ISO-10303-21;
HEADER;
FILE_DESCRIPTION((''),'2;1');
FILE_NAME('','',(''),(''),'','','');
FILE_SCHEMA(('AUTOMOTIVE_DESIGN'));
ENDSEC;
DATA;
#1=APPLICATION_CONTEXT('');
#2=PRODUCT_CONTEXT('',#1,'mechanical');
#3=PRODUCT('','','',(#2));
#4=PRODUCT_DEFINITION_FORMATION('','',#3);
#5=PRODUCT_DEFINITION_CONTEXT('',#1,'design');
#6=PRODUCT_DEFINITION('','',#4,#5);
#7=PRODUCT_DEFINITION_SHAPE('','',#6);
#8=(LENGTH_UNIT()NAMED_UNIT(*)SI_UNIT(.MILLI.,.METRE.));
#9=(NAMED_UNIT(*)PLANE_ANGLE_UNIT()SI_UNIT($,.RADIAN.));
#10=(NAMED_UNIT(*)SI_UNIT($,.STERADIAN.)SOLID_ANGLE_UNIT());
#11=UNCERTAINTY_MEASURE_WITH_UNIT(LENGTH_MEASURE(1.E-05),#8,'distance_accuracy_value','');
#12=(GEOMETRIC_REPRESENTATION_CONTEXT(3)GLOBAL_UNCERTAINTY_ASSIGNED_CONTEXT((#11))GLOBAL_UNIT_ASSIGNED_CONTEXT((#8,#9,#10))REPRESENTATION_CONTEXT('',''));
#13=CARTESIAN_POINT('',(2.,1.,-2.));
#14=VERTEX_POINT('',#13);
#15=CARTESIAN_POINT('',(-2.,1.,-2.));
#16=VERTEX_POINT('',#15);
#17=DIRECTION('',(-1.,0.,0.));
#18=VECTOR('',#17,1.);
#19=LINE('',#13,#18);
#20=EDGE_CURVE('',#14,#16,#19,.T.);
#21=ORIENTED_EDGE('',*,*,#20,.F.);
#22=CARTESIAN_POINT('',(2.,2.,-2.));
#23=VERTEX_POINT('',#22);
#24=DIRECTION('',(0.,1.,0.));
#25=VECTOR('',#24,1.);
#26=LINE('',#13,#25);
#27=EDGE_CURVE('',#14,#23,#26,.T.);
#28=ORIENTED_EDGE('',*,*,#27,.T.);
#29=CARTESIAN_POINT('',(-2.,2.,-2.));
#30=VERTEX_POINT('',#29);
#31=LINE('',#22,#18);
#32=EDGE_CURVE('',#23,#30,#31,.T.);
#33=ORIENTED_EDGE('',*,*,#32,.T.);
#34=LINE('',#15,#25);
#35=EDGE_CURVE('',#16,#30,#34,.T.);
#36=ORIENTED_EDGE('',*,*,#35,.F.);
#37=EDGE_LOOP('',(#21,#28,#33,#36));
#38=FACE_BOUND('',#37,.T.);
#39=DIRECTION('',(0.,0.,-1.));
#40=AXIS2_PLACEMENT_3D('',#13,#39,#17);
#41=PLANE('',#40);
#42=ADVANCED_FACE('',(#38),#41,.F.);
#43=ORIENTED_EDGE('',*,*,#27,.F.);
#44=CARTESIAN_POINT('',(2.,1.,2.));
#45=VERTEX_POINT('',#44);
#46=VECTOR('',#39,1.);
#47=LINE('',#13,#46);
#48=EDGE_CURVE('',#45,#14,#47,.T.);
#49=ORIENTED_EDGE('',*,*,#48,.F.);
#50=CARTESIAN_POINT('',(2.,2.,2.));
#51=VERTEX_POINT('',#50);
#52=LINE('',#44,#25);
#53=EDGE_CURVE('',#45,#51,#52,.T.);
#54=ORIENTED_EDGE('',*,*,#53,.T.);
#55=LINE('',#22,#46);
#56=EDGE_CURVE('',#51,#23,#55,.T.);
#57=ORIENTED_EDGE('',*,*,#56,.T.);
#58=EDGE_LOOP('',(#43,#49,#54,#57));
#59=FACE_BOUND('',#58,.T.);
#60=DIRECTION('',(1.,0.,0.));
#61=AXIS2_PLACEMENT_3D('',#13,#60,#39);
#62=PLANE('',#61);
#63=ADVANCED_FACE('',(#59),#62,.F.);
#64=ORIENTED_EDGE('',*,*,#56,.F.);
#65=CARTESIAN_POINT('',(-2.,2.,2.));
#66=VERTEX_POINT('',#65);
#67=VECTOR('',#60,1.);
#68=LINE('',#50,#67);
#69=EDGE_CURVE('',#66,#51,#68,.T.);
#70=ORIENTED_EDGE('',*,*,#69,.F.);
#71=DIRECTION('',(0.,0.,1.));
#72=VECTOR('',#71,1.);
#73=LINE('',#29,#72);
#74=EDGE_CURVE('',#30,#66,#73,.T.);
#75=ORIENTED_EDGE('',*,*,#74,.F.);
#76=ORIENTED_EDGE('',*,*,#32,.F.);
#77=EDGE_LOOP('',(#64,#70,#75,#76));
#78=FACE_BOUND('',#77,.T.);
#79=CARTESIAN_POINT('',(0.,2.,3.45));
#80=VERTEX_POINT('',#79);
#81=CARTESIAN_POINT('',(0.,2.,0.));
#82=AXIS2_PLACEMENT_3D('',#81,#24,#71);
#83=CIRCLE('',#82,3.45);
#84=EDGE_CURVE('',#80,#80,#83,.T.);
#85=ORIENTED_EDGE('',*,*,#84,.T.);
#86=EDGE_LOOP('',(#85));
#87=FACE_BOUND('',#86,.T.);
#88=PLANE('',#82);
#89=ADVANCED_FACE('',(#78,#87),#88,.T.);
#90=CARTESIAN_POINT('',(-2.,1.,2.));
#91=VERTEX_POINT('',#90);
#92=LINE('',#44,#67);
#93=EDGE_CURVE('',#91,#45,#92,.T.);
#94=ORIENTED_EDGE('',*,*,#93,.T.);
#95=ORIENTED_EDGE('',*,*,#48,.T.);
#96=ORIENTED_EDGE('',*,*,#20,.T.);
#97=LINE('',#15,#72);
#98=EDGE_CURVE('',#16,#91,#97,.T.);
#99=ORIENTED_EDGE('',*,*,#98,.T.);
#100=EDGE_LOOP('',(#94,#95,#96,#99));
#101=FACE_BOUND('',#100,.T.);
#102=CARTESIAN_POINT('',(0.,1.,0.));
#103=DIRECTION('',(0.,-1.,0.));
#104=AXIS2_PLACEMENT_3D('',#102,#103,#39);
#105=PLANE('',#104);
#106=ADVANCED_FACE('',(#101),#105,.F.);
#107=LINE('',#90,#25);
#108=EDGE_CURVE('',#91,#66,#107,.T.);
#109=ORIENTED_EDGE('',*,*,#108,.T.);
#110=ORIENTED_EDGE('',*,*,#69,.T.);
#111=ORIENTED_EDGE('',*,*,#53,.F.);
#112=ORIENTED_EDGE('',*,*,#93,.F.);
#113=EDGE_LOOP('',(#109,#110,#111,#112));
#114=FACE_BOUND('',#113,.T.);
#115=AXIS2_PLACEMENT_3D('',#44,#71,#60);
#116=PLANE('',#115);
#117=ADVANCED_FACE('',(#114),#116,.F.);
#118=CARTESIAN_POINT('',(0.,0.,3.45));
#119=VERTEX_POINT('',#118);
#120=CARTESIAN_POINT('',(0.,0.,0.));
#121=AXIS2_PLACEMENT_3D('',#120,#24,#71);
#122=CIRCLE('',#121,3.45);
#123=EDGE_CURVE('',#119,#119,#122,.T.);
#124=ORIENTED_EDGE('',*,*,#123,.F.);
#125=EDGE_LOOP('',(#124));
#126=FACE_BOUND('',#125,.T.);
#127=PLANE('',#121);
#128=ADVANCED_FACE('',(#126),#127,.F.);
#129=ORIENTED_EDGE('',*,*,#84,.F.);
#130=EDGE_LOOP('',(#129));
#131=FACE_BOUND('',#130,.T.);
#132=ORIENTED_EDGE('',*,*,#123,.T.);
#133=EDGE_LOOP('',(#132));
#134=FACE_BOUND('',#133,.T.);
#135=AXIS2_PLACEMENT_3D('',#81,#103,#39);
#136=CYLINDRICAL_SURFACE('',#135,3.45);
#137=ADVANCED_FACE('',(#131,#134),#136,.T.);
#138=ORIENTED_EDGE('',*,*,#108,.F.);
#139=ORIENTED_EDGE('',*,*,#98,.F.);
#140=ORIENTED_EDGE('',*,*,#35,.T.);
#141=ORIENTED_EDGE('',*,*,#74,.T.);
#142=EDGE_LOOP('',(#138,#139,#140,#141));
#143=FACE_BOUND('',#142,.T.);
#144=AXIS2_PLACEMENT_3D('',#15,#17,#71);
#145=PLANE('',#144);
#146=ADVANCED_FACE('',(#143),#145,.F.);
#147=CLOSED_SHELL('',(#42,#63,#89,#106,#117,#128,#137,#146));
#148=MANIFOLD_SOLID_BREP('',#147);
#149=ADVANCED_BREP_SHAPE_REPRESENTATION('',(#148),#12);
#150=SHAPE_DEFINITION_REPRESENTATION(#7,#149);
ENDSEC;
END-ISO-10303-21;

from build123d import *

# Parameters (mm, degrees)
SKETCH1_R           = 3.45
BOSS_EXTRUDE1_DEPTH = 2
SKETCH2_W           = 4
SKETCH2_H           = 4
CUT_EXTRUDE1_DEPTH  = 1


with BuildPart() as part:
    # Sketch1 → Boss-Extrude1 (new body)
    with BuildSketch(Plane(origin=(0, 0, 0), x_dir=(1, 0, 0), z_dir=(0, 1, 0))):
        with Locations(Location((0, 0, 0), (0, 0, 270))):
            Circle(SKETCH1_R)
    extrude(amount=BOSS_EXTRUDE1_DEPTH)

    # Sketch2 → Cut-Extrude1 (cut)
    with BuildSketch(Plane(origin=(0, 2, 0), x_dir=(1, 0, 0), z_dir=(0, 1, 0))):
        Rectangle(SKETCH2_W, SKETCH2_H)
    extrude(amount=-CUT_EXTRUDE1_DEPTH, mode=Mode.SUBTRACT)


solid = part.part
